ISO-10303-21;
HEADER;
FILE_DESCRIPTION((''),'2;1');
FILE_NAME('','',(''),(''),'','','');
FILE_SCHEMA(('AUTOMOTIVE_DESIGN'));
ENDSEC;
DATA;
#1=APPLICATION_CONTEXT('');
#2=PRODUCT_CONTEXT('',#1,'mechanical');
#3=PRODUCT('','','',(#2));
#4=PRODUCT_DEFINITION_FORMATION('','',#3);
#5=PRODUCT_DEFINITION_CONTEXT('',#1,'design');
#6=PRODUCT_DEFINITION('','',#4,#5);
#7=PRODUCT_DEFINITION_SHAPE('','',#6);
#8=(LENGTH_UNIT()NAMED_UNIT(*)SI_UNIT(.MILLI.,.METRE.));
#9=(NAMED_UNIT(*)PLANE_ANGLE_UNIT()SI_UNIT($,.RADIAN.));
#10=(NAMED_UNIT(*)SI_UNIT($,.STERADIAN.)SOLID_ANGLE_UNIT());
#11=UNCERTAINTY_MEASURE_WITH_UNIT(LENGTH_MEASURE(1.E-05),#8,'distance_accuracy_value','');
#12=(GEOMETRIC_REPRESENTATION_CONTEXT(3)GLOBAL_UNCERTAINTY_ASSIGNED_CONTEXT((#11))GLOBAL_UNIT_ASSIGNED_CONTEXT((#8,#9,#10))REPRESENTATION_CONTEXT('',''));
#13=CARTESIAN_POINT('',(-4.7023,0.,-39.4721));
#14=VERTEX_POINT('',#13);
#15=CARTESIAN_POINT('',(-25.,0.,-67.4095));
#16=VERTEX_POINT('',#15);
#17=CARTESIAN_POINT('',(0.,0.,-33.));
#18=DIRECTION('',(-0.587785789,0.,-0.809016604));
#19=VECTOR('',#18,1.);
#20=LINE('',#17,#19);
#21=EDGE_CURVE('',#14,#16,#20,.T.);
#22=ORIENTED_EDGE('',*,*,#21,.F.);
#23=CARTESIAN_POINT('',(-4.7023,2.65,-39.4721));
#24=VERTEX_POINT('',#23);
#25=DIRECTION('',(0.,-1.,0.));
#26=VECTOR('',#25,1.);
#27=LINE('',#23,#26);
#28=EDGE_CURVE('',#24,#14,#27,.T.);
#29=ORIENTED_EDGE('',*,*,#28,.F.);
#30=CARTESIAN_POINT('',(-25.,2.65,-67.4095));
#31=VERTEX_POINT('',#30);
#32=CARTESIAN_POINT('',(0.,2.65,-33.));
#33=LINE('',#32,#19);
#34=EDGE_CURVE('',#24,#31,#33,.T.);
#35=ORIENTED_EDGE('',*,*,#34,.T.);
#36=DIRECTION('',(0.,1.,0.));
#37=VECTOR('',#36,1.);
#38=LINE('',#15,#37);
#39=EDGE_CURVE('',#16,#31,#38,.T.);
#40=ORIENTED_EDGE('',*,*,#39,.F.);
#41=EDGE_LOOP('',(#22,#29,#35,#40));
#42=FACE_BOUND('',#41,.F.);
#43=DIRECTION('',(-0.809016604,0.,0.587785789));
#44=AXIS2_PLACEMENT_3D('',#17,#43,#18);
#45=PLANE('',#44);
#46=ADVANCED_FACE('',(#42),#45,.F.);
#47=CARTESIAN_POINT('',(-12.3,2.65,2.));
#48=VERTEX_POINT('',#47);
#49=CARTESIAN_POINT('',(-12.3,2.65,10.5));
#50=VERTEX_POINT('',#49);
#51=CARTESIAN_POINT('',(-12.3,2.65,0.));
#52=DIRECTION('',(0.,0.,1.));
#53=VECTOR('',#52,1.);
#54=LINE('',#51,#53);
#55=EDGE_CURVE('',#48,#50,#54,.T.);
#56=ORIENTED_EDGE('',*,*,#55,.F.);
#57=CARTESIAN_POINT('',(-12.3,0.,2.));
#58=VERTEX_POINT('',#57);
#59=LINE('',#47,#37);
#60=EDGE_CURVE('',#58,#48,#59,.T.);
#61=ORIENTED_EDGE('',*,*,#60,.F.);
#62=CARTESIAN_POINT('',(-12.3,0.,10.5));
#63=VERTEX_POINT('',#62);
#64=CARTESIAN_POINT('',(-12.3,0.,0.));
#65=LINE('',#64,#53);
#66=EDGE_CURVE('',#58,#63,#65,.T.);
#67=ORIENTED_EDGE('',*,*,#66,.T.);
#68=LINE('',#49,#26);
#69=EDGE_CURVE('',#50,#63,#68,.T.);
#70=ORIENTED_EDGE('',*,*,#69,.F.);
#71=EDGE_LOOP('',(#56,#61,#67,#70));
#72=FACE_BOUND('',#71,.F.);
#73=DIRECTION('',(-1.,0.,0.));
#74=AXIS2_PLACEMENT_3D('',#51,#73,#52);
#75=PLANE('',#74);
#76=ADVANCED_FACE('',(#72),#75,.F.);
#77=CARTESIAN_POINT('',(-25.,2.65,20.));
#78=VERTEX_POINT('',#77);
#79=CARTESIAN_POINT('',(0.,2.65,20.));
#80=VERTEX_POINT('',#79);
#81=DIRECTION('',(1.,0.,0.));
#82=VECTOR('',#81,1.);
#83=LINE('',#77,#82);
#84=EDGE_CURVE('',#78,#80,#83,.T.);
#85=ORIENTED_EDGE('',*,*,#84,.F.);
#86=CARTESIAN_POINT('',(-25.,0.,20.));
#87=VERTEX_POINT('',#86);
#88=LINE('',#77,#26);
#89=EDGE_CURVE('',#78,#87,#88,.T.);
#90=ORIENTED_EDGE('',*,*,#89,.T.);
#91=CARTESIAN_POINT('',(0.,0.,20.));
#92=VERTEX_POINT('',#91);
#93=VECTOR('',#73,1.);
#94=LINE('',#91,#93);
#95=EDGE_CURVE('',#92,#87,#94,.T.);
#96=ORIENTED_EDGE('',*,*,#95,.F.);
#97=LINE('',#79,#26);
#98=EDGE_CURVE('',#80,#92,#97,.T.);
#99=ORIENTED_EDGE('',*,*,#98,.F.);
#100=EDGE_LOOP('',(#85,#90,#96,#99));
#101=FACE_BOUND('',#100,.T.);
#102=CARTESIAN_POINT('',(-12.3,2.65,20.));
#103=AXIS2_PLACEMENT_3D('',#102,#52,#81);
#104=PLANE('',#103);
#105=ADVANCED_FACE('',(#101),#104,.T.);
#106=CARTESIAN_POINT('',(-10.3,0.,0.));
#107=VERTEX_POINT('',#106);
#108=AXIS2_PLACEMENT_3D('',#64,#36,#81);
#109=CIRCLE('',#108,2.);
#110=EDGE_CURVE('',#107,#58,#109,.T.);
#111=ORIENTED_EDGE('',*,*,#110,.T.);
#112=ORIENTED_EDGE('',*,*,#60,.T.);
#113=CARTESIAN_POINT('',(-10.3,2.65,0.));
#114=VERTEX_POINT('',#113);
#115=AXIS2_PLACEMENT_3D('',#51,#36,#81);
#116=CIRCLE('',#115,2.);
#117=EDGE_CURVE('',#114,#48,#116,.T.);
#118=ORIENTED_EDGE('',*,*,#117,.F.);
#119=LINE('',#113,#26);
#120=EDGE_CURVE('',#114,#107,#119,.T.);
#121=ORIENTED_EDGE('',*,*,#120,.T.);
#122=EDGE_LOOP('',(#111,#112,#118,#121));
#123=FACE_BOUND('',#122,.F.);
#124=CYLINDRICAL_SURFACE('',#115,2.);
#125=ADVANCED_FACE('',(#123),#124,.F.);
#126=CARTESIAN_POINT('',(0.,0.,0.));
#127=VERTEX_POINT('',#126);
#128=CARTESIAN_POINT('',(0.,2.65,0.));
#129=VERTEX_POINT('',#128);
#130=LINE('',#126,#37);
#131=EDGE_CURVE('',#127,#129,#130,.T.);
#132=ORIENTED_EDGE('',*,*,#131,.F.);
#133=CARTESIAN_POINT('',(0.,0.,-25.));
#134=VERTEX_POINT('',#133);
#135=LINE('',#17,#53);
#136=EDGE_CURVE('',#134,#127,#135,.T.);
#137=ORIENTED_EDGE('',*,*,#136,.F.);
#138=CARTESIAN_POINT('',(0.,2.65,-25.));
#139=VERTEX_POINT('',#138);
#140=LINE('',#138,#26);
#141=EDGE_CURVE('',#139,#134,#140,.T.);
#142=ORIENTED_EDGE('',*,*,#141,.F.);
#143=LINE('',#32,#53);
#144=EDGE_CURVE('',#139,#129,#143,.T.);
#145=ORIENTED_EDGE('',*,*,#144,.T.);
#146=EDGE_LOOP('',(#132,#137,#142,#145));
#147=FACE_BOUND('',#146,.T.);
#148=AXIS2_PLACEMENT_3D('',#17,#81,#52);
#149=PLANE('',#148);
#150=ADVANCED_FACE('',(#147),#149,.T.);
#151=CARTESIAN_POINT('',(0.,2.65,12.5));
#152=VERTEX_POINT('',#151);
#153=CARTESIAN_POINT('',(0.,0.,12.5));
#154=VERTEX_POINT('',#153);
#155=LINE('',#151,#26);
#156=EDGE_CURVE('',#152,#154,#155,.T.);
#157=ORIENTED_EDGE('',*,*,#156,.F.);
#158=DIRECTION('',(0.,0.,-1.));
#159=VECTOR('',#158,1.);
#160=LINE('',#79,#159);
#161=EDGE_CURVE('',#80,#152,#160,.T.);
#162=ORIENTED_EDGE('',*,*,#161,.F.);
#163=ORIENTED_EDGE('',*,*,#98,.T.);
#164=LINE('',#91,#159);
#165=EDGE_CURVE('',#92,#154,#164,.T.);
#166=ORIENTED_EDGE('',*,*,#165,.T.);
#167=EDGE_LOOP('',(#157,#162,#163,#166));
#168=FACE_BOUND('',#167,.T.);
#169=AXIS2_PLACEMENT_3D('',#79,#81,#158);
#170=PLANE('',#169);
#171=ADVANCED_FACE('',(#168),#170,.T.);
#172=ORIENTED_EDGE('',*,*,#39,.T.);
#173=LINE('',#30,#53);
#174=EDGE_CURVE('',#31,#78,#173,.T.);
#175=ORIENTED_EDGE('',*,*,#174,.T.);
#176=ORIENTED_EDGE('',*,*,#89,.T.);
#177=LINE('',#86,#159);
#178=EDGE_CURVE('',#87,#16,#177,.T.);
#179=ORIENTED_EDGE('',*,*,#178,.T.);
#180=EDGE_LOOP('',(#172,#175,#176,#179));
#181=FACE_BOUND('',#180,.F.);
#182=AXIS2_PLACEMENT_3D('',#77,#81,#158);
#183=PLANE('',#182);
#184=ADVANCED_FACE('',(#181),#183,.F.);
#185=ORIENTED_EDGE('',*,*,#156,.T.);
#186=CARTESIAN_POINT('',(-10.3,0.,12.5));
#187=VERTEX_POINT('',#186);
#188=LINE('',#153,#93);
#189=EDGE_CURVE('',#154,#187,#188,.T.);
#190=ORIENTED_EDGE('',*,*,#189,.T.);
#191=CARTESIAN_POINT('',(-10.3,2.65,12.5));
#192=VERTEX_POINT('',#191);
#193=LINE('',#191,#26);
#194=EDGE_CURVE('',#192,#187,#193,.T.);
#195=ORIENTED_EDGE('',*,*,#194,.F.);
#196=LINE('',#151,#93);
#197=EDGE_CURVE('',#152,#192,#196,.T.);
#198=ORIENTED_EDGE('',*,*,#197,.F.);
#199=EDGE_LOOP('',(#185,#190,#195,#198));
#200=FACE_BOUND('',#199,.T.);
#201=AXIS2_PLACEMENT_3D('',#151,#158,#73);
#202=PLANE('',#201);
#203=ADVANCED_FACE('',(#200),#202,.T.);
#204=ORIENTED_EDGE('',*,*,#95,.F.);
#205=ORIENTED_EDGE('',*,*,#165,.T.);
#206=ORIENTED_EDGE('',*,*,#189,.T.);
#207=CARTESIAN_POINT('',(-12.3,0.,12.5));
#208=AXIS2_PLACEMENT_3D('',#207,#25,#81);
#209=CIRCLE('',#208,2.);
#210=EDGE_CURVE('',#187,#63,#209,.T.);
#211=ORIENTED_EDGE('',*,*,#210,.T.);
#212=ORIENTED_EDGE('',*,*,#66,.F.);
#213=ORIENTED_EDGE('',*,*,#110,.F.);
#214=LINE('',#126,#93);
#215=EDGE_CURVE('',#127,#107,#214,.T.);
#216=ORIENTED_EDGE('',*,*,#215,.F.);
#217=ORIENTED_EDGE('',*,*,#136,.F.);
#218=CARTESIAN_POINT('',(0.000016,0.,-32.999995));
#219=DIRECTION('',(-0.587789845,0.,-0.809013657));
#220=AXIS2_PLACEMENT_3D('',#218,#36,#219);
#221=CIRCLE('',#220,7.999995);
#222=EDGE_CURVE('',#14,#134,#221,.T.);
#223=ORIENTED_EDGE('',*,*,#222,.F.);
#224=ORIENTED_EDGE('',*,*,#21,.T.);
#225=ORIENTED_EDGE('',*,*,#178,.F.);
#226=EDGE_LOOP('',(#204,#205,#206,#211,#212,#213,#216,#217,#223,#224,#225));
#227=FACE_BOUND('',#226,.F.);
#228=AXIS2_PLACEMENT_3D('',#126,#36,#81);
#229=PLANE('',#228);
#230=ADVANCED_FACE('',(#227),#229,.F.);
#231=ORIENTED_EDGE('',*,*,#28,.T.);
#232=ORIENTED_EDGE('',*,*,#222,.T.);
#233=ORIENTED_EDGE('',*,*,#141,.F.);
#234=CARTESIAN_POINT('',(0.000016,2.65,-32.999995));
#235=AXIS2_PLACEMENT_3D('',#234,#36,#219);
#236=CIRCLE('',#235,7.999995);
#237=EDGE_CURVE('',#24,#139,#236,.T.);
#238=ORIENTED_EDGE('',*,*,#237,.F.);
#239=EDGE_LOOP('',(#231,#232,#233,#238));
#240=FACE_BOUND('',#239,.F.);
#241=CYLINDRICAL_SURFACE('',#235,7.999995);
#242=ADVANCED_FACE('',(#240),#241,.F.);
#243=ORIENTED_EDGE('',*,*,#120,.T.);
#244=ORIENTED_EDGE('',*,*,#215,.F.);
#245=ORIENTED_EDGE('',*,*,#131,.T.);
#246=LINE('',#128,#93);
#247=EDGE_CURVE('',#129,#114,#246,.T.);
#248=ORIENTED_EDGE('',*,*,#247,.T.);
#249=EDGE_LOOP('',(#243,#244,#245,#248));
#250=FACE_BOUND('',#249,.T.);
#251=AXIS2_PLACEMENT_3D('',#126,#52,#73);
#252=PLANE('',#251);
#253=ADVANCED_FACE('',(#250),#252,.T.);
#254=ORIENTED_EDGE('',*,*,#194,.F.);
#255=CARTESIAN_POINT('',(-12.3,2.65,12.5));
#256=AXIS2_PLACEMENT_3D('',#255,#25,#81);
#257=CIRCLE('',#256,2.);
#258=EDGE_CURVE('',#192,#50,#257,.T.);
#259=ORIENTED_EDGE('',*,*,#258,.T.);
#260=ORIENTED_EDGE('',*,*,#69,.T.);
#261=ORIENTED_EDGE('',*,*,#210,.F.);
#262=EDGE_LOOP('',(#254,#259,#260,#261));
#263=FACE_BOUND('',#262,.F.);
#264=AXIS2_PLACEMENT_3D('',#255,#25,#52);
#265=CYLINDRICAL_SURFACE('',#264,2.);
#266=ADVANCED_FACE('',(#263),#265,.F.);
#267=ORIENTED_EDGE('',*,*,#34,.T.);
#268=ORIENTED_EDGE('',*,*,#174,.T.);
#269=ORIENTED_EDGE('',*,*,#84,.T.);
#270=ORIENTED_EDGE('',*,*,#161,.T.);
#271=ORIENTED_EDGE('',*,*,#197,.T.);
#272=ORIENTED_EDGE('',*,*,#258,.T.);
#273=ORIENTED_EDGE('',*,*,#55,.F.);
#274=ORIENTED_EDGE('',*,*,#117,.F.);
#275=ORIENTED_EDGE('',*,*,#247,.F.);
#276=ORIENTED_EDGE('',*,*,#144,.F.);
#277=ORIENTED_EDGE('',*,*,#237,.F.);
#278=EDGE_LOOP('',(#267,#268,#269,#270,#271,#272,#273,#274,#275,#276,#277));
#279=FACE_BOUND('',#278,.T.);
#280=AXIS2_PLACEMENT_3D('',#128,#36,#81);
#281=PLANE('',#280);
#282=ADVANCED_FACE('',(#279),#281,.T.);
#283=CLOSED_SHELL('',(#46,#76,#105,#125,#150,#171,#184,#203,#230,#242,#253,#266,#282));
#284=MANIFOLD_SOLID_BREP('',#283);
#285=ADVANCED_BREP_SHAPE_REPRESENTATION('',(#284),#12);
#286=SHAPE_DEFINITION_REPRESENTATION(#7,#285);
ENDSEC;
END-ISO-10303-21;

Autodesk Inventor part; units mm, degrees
ref_plane "YZ Plane" through (0, 0, 0) normal (1, 0, 0) x (0, 1, 0)
ref_plane "XZ Plane" through (0, 0, 0) normal (0, 1, 0) x (-1, 0, 0)
ref_plane "XY Plane" through (0, 0, 0) normal (0, 0, 1) x (1, 0, 0)
sketch "スケッチ1" plane through (0, 0, 0) normal (0, 1, 0) x (-1, 0, 0)
  line L0 (0, 0) -> (25, 0)
  line L1 (25, 0) -> (25, -33)
  line L2 (25, -33) -> (0, -33)
  line L3 (0, -33) -> (0, 0)
  line L4 (0, -33) -> (25, -27)
  line L5 (0, -33) -> (25, -67.4095)
  line L6 (25, -67.4095) -> (25, -33)
  dimension "d0" = 25
  dimension "d1" = 33
  dimension "d2" = 27
  dimension "d3" = 36
extrude "押し出し1" add sketch "スケッチ1" along normal blind 2.65
sketch "スケッチ2" plane through (0, 2.65, 0) normal (0, 1, 0) x (1, 0, 0)
  line L0 (0, 33) -> (-25, 67.4095) projected
  line L1 (0, 0) -> (0, 33) projected
  arc A0 (-4.7023, 39.4721) -> (0, 25) centre (0, 33) ccw
  dimension "d6" = 8
extrude "押し出し2" cut sketch "スケッチ2" against normal blind 2.65
sketch "スケッチ3" plane through (0, 2.65, 0) normal (0, 1, 0) x (1, 0, 0)
  line L0 (-25, 67.4095) -> (-25, 0) projected
  line L1 (-25, 0) -> (-12.3, 0)
  line L2 (-12.3, 0) -> (-12.3, -20)
  line L3 (-12.3, -20) -> (-25, -20)
  line L4 (-25, -20) -> (-25, 0)
  line L5 (0, 0) -> (0, 25) projected
  dimension "d9" = 20
  dimension "d10" = 12.3
extrude "押し出し3" add sketch "スケッチ3" against normal blind 2.65
sketch "スケッチ4" plane through (0, 2.65, 0) normal (0, 1, 0) x (1, 0, 0)
  line L0 (-12.3, 0) -> (0, 0) projected
  circle A0 centre (-12.3, 0) radius 2
  dimension "d13" = 4
extrude "押し出し4" cut sketch "スケッチ4" against normal blind 2.65
sketch "スケッチ5" plane through (0, 2.65, 0) normal (0, 1, 0) x (1, 0, 0)
  line L0 (-12.3, -2) -> (-12.3, -20) projected
  line L1 (-12.3, -20) -> (0, -20)
  line L2 (0, -20) -> (0, -12.5)
  line L3 (0, -12.5) -> (-12.3, -12.5)
  line L4 (-12.3, -12.5) -> (-12.3, -20)
  line L5 (-10.3, 0) -> (0, 0) projected
  dimension "d16" = 12.3
  dimension "d18" = 12.5
extrude "押し出し5" add sketch "スケッチ5" against normal blind 2.65
sketch "スケッチ6" plane through (0, 2.65, 0) normal (0, 1, 0) x (1, 0, 0)
  line L0 (-12.3, -12.5) -> (0, -12.5) projected
  point P0 (0, 0)
hole "穴1" at (-12.3, 2.65, 12.5) direction (0, -1, 0) diameter 4 end through all
properties part number "bendpart_36deg"
